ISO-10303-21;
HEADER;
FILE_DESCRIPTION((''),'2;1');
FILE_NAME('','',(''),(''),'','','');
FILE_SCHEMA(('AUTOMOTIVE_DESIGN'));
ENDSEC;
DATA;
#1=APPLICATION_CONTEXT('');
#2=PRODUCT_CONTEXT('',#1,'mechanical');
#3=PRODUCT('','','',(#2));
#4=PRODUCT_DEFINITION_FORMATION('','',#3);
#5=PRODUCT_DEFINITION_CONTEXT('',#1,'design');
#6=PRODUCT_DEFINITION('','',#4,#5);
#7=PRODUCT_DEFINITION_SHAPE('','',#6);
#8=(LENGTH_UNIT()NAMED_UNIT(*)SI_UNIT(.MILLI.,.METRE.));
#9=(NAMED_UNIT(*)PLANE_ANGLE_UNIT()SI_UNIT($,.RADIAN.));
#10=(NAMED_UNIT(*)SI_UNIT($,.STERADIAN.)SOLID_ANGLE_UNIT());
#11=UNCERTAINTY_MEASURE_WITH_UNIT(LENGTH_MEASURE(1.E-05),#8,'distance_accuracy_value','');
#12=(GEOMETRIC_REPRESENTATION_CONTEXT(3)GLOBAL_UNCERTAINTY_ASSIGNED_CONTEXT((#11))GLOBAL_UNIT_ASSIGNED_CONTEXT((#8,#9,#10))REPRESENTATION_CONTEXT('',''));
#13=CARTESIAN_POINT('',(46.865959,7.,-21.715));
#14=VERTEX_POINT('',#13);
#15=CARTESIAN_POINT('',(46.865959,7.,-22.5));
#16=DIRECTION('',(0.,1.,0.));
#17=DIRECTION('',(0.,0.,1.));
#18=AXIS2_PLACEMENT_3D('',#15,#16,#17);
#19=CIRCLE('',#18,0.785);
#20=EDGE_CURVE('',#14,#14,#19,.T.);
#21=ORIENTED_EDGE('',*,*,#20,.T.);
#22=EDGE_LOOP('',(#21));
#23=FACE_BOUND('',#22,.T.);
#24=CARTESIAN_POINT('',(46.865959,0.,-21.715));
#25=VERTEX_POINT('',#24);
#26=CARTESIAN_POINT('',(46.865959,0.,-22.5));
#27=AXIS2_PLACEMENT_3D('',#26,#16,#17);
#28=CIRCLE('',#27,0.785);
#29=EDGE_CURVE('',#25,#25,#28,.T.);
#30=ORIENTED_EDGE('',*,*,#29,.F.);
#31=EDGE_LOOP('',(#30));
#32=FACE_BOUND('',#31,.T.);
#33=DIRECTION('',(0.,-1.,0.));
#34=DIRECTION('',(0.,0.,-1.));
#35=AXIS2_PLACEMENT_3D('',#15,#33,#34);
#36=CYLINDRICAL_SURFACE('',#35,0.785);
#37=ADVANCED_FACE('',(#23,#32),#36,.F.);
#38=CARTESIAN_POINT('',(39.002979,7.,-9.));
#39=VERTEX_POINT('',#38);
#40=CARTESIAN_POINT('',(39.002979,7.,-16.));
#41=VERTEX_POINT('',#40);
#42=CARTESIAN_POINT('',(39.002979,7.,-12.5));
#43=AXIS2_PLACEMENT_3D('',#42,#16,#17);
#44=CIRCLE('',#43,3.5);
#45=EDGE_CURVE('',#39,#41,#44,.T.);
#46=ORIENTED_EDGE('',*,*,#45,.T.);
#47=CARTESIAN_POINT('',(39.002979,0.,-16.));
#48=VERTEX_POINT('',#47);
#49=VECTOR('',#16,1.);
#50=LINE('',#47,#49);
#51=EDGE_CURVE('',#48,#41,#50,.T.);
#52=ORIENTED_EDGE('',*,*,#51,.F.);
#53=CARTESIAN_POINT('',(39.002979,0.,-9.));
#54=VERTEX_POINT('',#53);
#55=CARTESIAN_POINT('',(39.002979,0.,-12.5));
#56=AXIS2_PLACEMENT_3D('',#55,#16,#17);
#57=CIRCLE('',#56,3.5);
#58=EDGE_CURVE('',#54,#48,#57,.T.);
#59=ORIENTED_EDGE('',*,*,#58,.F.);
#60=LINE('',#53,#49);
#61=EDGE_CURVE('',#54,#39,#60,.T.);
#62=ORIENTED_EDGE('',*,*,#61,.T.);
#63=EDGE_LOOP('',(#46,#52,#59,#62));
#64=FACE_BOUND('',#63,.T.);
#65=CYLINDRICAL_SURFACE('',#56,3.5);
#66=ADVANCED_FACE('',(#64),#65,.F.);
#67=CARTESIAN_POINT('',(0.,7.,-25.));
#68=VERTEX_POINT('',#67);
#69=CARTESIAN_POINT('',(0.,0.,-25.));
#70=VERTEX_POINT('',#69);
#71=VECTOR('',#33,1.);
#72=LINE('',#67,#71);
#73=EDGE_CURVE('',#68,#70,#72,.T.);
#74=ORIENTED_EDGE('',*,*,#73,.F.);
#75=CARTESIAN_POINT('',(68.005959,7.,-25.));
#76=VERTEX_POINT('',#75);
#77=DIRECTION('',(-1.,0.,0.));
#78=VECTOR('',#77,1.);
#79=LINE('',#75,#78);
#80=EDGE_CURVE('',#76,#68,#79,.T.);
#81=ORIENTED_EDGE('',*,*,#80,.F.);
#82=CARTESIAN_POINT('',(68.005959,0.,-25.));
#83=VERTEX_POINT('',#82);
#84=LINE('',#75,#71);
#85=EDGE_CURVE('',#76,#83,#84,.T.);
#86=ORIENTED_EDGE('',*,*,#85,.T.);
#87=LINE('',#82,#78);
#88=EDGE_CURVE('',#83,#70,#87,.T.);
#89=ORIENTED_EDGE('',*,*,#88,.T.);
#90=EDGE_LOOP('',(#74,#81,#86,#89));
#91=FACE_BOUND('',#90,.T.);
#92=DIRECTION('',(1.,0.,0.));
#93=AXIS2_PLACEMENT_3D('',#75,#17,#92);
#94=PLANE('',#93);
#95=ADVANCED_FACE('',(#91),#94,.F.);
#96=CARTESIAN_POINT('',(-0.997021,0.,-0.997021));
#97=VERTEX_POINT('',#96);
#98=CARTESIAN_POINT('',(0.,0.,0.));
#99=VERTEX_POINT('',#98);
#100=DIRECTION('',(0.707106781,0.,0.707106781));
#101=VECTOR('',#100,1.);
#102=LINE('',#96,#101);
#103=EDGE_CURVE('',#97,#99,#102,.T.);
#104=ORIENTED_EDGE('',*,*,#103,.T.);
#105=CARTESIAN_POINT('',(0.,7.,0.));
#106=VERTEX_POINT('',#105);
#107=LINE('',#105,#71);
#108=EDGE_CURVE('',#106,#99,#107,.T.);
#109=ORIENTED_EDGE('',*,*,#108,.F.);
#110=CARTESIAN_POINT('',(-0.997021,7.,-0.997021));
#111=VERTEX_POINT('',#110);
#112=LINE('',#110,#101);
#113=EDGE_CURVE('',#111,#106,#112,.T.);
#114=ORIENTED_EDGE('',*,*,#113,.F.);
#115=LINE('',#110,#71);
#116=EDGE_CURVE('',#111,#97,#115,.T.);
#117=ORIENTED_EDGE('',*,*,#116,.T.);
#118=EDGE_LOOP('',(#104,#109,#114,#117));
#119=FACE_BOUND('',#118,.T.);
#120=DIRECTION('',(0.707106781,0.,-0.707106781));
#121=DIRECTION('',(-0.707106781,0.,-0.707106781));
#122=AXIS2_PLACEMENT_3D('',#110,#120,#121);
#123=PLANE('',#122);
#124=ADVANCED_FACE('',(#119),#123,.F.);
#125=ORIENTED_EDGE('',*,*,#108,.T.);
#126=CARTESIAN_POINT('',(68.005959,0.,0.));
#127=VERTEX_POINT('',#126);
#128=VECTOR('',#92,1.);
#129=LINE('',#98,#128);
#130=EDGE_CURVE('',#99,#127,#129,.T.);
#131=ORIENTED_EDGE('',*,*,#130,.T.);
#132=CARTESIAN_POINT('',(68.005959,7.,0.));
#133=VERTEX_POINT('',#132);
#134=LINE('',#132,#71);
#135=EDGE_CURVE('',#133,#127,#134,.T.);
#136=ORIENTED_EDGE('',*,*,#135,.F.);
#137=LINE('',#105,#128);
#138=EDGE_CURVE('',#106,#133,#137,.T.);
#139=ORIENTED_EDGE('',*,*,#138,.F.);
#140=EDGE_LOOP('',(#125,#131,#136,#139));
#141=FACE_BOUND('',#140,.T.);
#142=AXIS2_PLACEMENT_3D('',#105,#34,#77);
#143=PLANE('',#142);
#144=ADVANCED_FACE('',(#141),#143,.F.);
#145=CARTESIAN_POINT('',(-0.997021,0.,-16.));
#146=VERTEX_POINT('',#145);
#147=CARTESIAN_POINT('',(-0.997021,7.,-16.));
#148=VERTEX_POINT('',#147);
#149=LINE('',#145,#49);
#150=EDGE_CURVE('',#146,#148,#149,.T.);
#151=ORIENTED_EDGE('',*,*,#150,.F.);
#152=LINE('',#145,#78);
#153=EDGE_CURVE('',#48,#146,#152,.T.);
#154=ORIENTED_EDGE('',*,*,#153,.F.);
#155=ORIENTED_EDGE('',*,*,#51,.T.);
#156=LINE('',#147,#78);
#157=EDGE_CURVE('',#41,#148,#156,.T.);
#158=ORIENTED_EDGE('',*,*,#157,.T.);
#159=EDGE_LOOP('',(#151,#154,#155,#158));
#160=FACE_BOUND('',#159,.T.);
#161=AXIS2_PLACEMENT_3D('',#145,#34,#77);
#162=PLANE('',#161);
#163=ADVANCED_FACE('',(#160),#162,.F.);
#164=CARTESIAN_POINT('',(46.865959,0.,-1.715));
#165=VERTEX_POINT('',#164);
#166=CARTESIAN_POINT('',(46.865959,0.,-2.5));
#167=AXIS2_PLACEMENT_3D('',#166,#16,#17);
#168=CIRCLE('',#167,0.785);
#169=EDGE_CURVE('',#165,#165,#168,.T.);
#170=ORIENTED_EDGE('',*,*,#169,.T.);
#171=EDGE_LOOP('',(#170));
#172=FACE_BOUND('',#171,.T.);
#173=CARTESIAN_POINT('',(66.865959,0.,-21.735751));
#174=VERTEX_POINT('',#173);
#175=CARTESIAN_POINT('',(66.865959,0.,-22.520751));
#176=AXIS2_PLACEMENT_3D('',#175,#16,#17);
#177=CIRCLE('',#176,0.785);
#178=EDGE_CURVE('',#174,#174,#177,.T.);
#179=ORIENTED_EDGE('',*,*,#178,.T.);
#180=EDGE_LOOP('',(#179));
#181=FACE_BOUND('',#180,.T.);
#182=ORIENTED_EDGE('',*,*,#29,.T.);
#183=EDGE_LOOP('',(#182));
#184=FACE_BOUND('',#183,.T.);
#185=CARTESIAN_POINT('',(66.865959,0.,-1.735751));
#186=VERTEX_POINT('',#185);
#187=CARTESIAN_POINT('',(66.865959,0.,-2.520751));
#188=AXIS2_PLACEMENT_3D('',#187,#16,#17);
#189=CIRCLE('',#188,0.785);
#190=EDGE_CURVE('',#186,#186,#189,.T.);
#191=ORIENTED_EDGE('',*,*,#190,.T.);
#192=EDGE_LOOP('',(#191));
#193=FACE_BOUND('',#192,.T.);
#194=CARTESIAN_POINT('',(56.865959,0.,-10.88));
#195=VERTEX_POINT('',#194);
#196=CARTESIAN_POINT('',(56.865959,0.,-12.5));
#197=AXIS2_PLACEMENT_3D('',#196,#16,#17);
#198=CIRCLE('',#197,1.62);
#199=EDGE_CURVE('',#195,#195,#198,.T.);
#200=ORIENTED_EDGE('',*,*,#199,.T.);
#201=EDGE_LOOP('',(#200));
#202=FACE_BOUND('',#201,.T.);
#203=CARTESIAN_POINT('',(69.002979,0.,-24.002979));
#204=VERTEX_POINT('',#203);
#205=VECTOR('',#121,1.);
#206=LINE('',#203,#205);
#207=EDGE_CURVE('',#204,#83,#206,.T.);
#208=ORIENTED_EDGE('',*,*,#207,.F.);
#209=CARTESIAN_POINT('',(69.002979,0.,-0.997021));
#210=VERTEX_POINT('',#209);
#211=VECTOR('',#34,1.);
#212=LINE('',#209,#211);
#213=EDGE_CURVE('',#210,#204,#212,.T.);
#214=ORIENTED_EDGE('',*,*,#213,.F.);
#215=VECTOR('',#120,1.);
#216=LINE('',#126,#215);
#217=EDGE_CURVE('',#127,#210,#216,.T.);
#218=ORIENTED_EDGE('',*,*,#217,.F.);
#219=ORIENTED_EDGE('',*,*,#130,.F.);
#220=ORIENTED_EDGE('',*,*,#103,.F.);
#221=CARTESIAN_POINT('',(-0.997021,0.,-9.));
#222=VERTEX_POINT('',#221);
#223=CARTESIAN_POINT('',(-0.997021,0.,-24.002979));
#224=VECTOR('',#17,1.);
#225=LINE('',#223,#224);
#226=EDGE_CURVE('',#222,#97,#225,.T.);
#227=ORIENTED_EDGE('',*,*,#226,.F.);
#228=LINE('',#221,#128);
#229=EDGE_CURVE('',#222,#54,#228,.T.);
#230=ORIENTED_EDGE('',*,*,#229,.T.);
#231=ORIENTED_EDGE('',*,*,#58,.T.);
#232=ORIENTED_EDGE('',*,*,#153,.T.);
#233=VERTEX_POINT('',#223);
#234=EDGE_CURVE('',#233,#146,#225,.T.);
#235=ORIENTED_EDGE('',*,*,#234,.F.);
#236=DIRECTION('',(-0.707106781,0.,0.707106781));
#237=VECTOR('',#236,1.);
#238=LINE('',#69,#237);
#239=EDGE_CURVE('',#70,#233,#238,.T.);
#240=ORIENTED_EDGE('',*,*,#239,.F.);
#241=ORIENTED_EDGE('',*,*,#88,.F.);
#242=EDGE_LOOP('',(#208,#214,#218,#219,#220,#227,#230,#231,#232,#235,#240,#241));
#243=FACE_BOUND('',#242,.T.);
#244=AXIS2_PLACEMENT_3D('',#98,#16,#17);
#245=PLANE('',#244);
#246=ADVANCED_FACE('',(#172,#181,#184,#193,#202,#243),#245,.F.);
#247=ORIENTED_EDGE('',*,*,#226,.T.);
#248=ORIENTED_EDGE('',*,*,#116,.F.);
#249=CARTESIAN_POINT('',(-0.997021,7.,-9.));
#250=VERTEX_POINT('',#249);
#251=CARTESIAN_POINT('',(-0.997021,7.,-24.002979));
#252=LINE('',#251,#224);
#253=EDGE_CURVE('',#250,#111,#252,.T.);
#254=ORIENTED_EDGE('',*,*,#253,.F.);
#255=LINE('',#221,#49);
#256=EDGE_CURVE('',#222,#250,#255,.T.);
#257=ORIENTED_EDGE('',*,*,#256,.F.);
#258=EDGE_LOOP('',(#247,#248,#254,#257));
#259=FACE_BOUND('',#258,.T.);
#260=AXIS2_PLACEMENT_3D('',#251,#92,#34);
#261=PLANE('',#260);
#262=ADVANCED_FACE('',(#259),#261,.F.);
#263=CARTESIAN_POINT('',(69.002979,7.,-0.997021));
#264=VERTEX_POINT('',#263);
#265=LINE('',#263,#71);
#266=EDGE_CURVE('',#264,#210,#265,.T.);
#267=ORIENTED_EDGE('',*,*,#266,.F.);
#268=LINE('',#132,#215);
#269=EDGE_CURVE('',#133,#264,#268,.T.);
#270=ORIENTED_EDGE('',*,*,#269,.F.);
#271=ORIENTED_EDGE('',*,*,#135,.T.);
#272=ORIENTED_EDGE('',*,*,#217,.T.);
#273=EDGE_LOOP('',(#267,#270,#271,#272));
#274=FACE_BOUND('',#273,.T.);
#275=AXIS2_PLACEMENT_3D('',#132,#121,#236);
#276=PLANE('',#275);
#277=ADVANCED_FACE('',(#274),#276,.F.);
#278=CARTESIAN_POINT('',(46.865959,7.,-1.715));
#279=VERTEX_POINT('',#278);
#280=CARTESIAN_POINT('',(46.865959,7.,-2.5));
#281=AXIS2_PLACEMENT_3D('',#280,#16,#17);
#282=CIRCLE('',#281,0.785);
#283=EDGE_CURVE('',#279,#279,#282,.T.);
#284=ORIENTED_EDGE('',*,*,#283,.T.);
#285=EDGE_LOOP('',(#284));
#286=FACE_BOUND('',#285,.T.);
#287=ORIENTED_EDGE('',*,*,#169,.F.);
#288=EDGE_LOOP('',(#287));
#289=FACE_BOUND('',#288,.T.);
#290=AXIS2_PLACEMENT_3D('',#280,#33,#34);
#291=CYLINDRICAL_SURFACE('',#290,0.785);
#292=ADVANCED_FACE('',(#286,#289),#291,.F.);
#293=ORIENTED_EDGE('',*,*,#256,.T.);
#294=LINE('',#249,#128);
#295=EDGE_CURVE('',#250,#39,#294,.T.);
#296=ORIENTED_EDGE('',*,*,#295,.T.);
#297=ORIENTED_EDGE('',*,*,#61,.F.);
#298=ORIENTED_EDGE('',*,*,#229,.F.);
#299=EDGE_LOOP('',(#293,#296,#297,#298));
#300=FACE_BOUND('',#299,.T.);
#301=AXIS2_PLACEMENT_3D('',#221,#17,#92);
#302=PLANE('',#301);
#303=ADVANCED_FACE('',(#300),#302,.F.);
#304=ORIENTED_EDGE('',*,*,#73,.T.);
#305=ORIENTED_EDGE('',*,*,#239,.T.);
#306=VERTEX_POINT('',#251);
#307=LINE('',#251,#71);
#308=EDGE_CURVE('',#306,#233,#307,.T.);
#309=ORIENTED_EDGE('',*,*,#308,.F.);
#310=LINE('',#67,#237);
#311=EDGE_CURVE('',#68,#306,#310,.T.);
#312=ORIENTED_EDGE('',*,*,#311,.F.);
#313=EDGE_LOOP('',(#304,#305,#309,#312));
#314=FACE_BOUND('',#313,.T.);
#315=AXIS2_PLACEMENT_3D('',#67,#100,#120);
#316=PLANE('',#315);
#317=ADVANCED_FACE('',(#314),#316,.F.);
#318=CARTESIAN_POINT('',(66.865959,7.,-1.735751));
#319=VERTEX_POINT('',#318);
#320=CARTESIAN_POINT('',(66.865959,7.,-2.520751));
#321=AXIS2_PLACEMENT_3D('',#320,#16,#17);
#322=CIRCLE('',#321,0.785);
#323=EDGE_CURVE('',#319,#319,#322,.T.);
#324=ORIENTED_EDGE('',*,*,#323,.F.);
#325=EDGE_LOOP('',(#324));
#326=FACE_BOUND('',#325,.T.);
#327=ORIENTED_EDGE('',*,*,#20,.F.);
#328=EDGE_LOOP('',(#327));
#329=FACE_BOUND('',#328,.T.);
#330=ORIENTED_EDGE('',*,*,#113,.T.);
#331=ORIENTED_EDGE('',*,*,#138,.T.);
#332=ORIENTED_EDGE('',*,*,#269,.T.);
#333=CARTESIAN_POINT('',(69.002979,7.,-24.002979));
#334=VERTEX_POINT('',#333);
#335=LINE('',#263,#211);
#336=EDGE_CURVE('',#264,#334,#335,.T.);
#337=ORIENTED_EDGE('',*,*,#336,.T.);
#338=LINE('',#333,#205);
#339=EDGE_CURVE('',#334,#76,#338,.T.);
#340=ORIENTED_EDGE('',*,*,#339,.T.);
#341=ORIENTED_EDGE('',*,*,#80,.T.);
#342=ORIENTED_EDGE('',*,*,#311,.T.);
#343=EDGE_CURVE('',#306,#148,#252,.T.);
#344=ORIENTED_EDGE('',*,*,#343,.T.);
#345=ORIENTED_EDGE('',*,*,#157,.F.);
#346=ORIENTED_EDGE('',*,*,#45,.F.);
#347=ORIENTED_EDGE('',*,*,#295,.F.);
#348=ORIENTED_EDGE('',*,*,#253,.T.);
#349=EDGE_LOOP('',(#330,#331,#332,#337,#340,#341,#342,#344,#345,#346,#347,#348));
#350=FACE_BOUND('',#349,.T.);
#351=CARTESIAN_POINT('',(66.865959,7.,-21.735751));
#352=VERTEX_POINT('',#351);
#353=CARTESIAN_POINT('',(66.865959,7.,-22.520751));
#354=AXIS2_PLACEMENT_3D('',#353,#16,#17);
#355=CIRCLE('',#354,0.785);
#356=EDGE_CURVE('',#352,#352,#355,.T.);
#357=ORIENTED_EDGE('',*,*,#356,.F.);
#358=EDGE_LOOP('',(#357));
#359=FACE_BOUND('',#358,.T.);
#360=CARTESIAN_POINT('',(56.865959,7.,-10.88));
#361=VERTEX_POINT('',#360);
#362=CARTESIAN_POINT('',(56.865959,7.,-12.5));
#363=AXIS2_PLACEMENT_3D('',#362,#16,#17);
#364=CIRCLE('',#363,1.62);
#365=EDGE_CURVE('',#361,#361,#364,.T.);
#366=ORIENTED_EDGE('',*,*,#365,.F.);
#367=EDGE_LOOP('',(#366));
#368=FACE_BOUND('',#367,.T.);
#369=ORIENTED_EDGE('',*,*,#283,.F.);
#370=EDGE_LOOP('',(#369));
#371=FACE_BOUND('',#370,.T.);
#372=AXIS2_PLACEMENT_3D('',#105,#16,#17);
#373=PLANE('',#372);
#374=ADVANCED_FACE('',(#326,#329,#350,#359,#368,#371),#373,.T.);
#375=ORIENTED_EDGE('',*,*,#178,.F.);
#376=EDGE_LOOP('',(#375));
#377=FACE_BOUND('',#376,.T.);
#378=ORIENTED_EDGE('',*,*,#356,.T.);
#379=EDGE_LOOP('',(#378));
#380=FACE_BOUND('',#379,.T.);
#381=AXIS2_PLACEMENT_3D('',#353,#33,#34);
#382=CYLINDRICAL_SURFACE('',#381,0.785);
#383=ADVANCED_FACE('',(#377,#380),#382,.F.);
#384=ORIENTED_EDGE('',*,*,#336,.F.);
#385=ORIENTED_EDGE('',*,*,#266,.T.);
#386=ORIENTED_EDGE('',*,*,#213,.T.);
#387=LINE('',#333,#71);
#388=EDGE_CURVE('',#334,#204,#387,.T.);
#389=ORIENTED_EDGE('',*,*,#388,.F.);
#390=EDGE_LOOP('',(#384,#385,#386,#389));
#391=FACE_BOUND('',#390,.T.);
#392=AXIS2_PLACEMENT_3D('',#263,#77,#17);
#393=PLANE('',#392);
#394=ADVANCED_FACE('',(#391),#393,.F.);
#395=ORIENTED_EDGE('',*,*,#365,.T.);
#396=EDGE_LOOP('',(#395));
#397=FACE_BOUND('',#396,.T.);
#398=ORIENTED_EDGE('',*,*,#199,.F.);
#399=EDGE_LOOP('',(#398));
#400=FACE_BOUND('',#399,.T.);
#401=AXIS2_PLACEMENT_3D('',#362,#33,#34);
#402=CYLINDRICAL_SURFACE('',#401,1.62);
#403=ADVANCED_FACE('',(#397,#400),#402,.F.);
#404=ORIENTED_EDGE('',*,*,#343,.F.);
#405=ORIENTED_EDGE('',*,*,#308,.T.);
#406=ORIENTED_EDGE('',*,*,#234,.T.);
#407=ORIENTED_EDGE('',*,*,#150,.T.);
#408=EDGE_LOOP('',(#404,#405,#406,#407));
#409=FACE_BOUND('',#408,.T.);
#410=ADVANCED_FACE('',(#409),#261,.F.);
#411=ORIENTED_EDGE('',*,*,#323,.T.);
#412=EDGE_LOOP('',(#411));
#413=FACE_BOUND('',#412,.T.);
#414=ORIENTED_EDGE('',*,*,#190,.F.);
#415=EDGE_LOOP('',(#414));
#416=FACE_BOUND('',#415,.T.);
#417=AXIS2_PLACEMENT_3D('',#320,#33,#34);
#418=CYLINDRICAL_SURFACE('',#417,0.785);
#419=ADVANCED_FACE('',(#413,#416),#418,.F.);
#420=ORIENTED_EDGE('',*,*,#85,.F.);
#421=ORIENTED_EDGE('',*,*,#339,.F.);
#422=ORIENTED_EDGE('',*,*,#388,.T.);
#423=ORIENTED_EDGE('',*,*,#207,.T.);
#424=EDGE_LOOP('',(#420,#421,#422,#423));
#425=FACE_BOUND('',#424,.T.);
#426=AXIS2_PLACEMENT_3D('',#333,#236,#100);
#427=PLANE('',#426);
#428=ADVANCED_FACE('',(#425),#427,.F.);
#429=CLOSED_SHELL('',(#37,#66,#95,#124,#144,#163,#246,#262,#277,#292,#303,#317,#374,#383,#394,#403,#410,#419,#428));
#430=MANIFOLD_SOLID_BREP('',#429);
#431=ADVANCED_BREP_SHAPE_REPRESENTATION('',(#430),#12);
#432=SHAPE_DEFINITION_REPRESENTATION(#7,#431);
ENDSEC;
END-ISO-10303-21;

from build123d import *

# Parameters (mm, degrees)
SKETCH1_R           = 0.785
SKETCH1_R_2         = 1.62
BOSS_EXTRUDE1_DEPTH = 7
CUT_EXTRUDE1_DEPTH  = 7


with BuildPart() as part:
    # Sketch1 → Boss-Extrude1 (new body)
    with BuildSketch(Plane(origin=(0, 0, 0), x_dir=(1, 0, 0), z_dir=(0, 1, 0))):
        Polygon((0, 0), (68.005958877, 0), (69.002979439, 0.997020561), (69.002979439, 24.002979439), (68.005958877, 25), (0, 25), (-0.997020561, 24.002979439), (-0.997020561, 0.997020561), align=None)
        with Locations(Location((66.865958877, 2.520750677, 0), (0, 0, 270))):
            Circle(SKETCH1_R, mode=Mode.SUBTRACT)
        with Locations(Location((66.865958877, 22.520750677, 0), (0, 0, 270))):
            Circle(SKETCH1_R, mode=Mode.SUBTRACT)
        with Locations(Location((46.865958877, 22.5, 0), (0, 0, 270))):
            Circle(SKETCH1_R, mode=Mode.SUBTRACT)
        with Locations(Location((46.865958877, 2.5, 0), (0, 0, 270))):
            Circle(SKETCH1_R, mode=Mode.SUBTRACT)
        with Locations(Location((56.865958877, 12.5, 0), (0, 0, 270))):
            Circle(SKETCH1_R_2, mode=Mode.SUBTRACT)
    extrude(amount=BOSS_EXTRUDE1_DEPTH)

    # Sketch2 → Cut-Extrude1 (cut)
    with BuildSketch(Plane(origin=(0, 7, 0), x_dir=(1, 0, 0), z_dir=(0, 1, 0))):
        with BuildLine():
            Line((-0.997020561, 16), (39.002979439, 16))
            ThreePointArc((39.002979439, 16), (42.502979439, 12.5), (39.002979439, 9))
            Line((39.002979439, 9), (-0.997020561, 9))
            ThreePointArc((-0.997020561, 9), (-4.497020561, 12.5), (-0.997020561, 16))
        make_face()
    extrude(amount=-CUT_EXTRUDE1_DEPTH, mode=Mode.SUBTRACT)


solid = part.part
